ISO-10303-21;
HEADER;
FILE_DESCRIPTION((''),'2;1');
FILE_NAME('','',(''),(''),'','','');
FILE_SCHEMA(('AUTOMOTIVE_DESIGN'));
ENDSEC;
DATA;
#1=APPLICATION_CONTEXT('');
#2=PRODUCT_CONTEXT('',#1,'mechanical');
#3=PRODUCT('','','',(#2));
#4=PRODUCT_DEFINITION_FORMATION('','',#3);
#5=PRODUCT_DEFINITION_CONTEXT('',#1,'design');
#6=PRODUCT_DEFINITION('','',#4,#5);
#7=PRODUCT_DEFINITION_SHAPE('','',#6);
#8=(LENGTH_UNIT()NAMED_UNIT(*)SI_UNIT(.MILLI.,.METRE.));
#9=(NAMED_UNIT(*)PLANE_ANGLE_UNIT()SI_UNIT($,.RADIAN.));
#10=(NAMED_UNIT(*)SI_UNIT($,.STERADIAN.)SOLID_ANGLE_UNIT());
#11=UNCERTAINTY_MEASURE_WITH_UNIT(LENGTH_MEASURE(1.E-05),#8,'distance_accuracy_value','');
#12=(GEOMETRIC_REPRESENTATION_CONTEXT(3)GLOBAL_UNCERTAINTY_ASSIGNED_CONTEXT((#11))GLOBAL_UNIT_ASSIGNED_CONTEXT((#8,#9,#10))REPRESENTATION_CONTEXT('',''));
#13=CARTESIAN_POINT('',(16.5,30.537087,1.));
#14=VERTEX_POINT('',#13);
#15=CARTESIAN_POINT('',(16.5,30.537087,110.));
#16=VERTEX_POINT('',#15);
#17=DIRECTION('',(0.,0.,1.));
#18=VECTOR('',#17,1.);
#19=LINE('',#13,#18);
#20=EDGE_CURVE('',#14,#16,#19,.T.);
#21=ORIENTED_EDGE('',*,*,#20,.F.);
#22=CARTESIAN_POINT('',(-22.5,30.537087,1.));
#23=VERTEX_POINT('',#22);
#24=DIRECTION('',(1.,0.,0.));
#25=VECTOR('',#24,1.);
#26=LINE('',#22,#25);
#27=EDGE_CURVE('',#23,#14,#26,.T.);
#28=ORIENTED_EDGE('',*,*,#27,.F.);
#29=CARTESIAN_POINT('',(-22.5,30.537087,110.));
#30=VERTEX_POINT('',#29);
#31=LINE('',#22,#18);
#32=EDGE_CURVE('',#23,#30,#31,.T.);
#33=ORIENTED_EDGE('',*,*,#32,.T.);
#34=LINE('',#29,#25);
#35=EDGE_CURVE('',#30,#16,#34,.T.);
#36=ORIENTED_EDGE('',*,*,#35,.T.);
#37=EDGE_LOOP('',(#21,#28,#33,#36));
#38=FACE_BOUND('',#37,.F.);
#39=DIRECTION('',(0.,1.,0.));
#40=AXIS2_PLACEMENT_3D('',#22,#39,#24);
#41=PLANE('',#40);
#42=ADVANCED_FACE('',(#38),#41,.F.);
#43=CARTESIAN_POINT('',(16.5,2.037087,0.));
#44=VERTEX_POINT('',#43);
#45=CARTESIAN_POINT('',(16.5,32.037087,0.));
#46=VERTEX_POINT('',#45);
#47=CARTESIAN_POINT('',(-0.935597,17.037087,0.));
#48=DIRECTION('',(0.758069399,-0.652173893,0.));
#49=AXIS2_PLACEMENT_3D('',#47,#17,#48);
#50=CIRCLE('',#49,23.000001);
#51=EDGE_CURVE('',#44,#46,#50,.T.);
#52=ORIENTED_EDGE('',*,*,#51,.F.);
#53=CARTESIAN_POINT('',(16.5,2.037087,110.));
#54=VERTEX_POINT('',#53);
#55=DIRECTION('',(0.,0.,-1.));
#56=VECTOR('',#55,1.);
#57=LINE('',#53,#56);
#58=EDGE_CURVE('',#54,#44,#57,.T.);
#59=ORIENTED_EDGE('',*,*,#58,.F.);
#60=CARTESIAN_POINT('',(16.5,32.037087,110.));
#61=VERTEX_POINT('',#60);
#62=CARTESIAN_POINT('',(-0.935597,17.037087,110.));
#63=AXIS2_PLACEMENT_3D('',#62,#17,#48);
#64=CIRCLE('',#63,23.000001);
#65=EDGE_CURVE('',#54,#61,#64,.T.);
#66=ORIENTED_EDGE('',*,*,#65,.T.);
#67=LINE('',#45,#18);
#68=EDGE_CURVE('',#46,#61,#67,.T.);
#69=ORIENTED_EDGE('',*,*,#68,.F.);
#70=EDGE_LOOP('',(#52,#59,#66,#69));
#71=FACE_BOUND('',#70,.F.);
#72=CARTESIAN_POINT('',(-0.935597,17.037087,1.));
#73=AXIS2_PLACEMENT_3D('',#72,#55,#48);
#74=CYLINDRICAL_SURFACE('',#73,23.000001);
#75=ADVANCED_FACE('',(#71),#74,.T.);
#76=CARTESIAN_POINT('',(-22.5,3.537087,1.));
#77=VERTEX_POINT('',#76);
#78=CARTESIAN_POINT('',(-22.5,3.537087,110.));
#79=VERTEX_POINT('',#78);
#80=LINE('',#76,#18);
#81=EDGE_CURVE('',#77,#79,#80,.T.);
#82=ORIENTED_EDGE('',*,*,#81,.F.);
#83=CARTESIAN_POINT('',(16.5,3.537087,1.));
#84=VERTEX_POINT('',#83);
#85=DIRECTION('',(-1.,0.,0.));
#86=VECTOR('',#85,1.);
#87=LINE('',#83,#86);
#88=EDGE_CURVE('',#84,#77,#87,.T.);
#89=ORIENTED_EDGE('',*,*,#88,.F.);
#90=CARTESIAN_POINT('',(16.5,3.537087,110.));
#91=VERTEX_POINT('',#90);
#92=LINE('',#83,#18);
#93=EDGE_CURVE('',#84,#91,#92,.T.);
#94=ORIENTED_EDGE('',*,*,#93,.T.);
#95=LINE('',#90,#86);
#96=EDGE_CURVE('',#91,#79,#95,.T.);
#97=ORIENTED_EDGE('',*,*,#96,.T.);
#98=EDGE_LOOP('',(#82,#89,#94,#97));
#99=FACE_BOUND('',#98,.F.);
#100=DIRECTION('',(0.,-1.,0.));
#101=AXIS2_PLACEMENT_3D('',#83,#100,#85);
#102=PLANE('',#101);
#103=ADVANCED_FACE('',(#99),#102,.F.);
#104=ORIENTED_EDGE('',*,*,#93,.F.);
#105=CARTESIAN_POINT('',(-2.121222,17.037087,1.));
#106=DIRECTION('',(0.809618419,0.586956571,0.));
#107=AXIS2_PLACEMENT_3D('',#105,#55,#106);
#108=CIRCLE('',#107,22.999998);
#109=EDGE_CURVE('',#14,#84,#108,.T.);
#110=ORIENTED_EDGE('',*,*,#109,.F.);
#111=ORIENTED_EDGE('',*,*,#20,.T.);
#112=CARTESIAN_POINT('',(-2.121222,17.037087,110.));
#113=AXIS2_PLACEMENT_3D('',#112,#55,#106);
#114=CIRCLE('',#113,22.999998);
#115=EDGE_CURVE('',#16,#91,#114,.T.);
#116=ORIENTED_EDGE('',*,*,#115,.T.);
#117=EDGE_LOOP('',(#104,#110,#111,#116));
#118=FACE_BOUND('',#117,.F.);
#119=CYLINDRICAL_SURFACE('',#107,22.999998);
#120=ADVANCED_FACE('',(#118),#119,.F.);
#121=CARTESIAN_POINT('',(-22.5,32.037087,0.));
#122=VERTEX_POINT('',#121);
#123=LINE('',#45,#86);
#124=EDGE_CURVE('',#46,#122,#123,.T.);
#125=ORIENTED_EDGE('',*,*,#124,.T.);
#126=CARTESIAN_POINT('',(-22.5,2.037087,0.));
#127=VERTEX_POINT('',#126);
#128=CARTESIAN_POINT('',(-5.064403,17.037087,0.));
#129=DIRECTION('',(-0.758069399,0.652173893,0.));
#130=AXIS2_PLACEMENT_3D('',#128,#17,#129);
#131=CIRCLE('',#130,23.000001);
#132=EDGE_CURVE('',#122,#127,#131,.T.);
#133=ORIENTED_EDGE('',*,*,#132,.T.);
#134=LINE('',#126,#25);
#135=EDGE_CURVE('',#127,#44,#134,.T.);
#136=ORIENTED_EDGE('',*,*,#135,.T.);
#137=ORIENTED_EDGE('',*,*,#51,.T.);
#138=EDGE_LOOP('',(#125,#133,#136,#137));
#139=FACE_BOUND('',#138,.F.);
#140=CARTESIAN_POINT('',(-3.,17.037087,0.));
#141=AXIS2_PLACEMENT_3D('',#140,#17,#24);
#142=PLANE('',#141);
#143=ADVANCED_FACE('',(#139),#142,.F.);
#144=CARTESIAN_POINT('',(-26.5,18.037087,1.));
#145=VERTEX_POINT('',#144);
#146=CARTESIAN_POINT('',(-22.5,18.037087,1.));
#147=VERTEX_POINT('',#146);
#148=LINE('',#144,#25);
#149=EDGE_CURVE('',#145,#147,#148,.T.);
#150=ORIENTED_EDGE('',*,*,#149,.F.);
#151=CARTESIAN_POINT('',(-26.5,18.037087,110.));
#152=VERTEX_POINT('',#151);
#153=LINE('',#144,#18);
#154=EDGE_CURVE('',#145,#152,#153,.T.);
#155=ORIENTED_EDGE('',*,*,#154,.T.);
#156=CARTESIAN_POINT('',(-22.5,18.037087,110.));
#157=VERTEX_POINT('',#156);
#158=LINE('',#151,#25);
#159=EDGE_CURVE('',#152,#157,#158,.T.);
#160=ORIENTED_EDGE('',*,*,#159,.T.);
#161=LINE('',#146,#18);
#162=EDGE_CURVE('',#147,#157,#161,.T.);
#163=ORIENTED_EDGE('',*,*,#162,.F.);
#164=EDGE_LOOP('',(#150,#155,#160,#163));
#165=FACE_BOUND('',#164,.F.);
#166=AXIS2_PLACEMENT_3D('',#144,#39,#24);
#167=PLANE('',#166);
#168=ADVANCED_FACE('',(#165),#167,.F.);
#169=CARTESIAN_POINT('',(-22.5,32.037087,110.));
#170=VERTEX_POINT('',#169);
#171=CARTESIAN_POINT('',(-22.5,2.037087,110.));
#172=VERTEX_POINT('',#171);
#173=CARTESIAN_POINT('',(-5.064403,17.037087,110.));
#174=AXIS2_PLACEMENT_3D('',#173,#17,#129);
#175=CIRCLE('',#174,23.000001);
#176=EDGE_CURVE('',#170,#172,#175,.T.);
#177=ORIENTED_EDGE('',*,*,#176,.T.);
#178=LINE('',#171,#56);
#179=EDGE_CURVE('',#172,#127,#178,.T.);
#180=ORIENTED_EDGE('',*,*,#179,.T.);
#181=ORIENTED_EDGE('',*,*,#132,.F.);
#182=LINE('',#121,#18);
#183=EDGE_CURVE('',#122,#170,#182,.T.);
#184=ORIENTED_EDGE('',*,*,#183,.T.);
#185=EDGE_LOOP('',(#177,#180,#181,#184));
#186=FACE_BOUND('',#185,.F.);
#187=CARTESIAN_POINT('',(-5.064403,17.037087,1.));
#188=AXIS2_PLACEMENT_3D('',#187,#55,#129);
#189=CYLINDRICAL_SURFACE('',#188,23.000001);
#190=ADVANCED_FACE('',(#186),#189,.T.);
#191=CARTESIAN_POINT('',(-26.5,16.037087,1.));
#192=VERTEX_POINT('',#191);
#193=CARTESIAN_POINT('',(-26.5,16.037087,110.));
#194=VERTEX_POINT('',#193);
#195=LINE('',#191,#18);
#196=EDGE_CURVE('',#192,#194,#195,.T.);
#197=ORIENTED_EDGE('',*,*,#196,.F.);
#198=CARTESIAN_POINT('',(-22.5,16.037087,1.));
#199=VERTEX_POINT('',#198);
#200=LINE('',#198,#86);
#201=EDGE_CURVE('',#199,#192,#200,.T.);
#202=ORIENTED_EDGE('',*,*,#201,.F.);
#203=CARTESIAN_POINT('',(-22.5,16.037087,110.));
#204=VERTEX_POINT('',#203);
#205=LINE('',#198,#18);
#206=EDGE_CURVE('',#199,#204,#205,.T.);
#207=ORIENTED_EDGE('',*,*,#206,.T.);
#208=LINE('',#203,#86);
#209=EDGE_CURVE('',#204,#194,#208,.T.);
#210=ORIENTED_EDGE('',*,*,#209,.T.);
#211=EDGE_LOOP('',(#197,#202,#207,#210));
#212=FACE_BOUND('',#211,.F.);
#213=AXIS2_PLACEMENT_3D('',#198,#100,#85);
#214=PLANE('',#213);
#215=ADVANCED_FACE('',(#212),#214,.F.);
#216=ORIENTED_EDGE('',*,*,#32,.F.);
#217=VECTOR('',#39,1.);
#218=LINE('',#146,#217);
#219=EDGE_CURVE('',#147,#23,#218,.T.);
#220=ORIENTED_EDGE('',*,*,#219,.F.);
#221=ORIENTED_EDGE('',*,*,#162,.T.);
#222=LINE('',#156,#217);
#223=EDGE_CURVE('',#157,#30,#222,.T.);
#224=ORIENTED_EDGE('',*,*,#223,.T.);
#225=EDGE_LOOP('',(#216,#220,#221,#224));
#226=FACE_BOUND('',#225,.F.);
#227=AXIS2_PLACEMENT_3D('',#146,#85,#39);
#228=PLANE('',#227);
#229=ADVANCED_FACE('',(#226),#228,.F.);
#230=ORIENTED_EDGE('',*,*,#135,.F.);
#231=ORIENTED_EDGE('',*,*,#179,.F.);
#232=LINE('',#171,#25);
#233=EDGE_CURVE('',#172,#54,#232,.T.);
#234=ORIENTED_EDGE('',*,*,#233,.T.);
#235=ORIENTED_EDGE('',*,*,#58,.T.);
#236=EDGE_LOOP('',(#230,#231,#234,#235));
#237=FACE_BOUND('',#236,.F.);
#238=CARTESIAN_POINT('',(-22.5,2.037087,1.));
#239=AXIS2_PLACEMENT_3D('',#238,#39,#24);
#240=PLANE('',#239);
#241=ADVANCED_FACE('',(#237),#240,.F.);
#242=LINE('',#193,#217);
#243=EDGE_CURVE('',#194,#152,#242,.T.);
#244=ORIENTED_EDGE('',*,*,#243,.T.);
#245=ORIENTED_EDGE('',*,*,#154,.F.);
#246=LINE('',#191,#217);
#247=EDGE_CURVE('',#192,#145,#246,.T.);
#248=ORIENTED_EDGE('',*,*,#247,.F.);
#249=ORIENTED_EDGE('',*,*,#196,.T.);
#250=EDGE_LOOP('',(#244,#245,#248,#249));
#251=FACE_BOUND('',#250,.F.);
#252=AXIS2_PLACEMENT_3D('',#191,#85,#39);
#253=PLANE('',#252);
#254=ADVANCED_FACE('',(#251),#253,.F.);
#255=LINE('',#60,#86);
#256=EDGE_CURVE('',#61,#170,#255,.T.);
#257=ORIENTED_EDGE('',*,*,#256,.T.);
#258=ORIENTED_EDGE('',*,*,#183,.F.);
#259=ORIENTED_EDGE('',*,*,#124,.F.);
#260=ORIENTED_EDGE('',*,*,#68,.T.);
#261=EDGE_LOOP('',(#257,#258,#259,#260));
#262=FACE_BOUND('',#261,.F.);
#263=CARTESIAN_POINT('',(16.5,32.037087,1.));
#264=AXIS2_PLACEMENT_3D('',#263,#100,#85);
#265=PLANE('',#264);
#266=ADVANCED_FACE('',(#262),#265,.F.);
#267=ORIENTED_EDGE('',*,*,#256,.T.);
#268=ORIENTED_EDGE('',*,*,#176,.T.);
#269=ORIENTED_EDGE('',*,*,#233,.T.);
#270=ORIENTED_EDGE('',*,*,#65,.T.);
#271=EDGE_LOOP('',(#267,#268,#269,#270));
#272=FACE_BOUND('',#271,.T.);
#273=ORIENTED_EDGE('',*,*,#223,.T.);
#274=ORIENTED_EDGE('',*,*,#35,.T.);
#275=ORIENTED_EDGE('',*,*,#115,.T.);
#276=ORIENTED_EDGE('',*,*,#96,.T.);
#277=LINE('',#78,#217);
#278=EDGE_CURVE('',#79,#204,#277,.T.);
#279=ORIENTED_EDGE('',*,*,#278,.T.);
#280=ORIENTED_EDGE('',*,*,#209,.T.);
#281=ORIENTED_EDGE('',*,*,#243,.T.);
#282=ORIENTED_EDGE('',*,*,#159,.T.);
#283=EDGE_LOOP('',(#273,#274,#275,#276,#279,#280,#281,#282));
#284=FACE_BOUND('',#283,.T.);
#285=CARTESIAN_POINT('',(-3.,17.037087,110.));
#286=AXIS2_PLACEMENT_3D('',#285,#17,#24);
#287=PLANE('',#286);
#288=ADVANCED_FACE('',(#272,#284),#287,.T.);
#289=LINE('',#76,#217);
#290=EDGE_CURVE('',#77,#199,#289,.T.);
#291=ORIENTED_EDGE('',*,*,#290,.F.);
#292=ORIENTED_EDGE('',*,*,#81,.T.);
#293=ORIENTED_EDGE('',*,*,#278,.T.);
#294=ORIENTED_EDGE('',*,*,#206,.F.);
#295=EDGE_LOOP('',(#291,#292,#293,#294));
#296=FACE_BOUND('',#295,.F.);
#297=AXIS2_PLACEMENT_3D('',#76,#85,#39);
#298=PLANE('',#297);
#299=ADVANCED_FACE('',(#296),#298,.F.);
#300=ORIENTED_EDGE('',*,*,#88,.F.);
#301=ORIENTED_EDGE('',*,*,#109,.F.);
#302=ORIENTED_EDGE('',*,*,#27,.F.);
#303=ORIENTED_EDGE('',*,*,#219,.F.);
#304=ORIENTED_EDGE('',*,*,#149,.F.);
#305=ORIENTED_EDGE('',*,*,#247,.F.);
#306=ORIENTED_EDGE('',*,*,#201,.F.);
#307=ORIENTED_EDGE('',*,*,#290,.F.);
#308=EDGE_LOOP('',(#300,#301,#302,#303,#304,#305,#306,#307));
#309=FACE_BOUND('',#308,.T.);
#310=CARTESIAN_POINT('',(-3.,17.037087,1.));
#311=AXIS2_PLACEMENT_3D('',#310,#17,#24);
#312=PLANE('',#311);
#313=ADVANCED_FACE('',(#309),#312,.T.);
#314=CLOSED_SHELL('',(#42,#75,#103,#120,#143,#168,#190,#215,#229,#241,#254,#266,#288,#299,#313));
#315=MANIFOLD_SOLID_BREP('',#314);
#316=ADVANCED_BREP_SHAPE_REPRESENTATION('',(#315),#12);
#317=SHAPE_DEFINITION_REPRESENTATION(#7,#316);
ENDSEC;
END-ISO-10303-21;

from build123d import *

# Parameters (mm, degrees)
F1_DEPTH = 1
F3_DEPTH = 109


with BuildPart() as f1:
    # F0 (on Top) → F1 (new body)
    with BuildSketch(Plane.XY):
        with BuildLine():
            Line((16.5, 32.037087), (-22.5, 32.037087))
            ThreePointArc((-22.5, 32.037087), (-28.064404, 17.037087), (-22.5, 2.037087))
            Line((-22.5, 2.037087), (16.5, 2.037087))
            ThreePointArc((16.5, 2.037087), (22.064404, 17.037087), (16.5, 32.037087))
        make_face()
    extrude(amount=F1_DEPTH)

    # F2 (on face) → F3 (join)
    with BuildSketch(Plane.XY.offset(1)):
        with BuildLine():
            ThreePointArc((16.5, 2.037087), (22.064404, 17.037087), (16.5, 32.037087))
            Line((16.5, 32.037087), (-22.5, 32.037087))
            ThreePointArc((-22.5, 32.037087), (-28.064404, 17.037087), (-22.5, 2.037087))
            Line((-22.5, 2.037087), (16.5, 2.037087))
        make_face()
        with BuildLine():
            Line((-22.5, 18.037087), (-22.5, 30.537087))
            Line((-22.5, 30.537087), (16.5, 30.537087))
            ThreePointArc((16.5, 30.537087), (20.878776, 17.037087), (16.5, 3.537087))
            Line((16.5, 3.537087), (-22.5, 3.537087))
            Line((-22.5, 3.537087), (-22.5, 16.037087))
            Line((-22.5, 16.037087), (-26.5, 16.037087))
            Line((-26.5, 16.037087), (-26.5, 18.037087))
            Line((-26.5, 18.037087), (-22.5, 18.037087))
        make_face(mode=Mode.SUBTRACT)
    extrude(amount=F3_DEPTH)


solid = f1.part
